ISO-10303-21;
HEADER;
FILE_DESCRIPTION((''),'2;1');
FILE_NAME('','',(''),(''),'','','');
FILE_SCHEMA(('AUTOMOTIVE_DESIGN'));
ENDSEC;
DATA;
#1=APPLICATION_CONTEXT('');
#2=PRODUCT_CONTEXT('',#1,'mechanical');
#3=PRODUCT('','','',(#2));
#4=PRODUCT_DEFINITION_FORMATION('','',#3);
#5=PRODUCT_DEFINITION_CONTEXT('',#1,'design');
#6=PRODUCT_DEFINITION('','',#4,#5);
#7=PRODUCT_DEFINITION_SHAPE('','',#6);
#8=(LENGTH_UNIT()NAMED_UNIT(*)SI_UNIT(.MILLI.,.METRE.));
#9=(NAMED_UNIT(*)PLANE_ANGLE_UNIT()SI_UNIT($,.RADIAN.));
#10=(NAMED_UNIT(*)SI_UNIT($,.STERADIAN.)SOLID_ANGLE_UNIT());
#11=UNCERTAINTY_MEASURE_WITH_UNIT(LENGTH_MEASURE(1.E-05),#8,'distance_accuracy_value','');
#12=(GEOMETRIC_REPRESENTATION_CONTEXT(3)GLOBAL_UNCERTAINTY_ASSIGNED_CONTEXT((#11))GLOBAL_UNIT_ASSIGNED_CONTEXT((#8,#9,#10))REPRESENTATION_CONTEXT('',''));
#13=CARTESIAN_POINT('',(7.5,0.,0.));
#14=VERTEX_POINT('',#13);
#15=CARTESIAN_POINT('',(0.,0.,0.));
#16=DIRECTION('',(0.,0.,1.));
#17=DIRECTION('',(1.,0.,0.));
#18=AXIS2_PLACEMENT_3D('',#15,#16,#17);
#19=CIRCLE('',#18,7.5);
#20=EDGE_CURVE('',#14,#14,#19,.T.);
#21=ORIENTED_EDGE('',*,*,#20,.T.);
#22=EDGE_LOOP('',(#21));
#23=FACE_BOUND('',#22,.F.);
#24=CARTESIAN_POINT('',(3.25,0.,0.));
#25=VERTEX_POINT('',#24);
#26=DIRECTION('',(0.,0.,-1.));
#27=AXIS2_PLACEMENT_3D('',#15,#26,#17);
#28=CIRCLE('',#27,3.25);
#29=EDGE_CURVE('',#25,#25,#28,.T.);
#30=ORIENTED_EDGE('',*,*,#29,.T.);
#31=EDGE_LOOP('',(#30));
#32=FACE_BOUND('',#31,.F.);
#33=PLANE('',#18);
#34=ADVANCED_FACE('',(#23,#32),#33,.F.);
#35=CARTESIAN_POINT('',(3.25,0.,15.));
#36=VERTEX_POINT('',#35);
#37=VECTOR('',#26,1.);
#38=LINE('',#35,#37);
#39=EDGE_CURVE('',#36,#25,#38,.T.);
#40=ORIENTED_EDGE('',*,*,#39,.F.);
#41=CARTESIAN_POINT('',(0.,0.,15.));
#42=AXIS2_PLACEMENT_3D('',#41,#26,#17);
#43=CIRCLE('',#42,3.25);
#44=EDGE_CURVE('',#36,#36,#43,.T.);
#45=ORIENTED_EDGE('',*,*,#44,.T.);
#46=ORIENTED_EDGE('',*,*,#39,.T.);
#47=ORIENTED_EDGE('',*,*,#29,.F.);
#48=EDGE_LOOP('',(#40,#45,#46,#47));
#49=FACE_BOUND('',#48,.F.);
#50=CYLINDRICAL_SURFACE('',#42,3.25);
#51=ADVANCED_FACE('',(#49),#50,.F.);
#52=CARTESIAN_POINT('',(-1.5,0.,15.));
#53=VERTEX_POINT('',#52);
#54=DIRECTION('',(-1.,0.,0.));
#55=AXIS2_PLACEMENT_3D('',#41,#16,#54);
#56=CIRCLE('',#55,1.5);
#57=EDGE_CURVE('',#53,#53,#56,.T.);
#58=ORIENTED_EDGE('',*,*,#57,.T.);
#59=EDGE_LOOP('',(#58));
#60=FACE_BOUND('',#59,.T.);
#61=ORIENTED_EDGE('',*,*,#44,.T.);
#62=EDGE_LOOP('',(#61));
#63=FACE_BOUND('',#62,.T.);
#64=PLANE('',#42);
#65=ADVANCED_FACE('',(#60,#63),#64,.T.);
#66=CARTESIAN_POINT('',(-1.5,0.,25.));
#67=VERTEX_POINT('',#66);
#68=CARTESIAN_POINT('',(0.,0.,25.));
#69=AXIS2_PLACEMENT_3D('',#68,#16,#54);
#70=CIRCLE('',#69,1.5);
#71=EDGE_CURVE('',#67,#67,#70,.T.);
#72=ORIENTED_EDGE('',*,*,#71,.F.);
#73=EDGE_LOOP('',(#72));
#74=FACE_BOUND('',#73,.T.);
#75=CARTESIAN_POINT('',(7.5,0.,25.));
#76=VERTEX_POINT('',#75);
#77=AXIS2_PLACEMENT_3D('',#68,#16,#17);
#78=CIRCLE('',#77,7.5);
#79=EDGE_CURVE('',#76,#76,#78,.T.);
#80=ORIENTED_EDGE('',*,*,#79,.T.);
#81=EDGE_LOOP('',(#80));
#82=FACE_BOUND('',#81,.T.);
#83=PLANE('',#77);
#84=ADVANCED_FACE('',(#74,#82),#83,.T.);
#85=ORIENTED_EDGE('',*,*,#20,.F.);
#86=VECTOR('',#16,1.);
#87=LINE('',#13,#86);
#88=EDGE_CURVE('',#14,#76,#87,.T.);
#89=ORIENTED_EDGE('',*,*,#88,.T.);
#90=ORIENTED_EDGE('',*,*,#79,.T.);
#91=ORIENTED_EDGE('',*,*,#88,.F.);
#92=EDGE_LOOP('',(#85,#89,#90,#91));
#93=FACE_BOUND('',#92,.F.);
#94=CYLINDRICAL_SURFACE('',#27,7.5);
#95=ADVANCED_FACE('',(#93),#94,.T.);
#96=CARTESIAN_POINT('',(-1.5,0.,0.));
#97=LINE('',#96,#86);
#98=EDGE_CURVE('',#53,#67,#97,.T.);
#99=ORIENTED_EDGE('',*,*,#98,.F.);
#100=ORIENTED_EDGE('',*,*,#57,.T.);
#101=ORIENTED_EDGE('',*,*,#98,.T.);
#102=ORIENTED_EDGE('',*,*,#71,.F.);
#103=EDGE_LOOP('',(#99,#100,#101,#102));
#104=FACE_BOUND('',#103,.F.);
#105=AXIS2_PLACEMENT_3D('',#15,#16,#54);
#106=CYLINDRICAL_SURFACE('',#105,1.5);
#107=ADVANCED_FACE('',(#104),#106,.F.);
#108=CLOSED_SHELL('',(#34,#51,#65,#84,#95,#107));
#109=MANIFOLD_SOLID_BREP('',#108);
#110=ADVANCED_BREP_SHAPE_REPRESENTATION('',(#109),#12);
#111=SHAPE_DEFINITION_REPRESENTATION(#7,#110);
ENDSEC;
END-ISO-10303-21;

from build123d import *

# Parameters (mm, degrees)
F0_R           = 7.5
F0_R_2         = 3
F1_DEPTH       = 25
F2_D           = 3
F2_CBORE_D     = 6.5
F2_CBORE_DEPTH = 15


with BuildPart() as f1:
    # F0 (on Top) → F1 (new body)
    with BuildSketch(Plane.XY):
        Circle(F0_R)
        Circle(F0_R_2, mode=Mode.SUBTRACT)
        Circle(F0_R_2)
    extrude(amount=F1_DEPTH)

    # F2 (through all)
    with Locations(Plane(origin=(0, 0, 0), x_dir=(1, 0, 0), z_dir=(0, 0, -1))):
        with Locations((0, 0)):
            CounterBoreHole(F2_D / 2, F2_CBORE_D / 2, F2_CBORE_DEPTH)


solid = f1.part
